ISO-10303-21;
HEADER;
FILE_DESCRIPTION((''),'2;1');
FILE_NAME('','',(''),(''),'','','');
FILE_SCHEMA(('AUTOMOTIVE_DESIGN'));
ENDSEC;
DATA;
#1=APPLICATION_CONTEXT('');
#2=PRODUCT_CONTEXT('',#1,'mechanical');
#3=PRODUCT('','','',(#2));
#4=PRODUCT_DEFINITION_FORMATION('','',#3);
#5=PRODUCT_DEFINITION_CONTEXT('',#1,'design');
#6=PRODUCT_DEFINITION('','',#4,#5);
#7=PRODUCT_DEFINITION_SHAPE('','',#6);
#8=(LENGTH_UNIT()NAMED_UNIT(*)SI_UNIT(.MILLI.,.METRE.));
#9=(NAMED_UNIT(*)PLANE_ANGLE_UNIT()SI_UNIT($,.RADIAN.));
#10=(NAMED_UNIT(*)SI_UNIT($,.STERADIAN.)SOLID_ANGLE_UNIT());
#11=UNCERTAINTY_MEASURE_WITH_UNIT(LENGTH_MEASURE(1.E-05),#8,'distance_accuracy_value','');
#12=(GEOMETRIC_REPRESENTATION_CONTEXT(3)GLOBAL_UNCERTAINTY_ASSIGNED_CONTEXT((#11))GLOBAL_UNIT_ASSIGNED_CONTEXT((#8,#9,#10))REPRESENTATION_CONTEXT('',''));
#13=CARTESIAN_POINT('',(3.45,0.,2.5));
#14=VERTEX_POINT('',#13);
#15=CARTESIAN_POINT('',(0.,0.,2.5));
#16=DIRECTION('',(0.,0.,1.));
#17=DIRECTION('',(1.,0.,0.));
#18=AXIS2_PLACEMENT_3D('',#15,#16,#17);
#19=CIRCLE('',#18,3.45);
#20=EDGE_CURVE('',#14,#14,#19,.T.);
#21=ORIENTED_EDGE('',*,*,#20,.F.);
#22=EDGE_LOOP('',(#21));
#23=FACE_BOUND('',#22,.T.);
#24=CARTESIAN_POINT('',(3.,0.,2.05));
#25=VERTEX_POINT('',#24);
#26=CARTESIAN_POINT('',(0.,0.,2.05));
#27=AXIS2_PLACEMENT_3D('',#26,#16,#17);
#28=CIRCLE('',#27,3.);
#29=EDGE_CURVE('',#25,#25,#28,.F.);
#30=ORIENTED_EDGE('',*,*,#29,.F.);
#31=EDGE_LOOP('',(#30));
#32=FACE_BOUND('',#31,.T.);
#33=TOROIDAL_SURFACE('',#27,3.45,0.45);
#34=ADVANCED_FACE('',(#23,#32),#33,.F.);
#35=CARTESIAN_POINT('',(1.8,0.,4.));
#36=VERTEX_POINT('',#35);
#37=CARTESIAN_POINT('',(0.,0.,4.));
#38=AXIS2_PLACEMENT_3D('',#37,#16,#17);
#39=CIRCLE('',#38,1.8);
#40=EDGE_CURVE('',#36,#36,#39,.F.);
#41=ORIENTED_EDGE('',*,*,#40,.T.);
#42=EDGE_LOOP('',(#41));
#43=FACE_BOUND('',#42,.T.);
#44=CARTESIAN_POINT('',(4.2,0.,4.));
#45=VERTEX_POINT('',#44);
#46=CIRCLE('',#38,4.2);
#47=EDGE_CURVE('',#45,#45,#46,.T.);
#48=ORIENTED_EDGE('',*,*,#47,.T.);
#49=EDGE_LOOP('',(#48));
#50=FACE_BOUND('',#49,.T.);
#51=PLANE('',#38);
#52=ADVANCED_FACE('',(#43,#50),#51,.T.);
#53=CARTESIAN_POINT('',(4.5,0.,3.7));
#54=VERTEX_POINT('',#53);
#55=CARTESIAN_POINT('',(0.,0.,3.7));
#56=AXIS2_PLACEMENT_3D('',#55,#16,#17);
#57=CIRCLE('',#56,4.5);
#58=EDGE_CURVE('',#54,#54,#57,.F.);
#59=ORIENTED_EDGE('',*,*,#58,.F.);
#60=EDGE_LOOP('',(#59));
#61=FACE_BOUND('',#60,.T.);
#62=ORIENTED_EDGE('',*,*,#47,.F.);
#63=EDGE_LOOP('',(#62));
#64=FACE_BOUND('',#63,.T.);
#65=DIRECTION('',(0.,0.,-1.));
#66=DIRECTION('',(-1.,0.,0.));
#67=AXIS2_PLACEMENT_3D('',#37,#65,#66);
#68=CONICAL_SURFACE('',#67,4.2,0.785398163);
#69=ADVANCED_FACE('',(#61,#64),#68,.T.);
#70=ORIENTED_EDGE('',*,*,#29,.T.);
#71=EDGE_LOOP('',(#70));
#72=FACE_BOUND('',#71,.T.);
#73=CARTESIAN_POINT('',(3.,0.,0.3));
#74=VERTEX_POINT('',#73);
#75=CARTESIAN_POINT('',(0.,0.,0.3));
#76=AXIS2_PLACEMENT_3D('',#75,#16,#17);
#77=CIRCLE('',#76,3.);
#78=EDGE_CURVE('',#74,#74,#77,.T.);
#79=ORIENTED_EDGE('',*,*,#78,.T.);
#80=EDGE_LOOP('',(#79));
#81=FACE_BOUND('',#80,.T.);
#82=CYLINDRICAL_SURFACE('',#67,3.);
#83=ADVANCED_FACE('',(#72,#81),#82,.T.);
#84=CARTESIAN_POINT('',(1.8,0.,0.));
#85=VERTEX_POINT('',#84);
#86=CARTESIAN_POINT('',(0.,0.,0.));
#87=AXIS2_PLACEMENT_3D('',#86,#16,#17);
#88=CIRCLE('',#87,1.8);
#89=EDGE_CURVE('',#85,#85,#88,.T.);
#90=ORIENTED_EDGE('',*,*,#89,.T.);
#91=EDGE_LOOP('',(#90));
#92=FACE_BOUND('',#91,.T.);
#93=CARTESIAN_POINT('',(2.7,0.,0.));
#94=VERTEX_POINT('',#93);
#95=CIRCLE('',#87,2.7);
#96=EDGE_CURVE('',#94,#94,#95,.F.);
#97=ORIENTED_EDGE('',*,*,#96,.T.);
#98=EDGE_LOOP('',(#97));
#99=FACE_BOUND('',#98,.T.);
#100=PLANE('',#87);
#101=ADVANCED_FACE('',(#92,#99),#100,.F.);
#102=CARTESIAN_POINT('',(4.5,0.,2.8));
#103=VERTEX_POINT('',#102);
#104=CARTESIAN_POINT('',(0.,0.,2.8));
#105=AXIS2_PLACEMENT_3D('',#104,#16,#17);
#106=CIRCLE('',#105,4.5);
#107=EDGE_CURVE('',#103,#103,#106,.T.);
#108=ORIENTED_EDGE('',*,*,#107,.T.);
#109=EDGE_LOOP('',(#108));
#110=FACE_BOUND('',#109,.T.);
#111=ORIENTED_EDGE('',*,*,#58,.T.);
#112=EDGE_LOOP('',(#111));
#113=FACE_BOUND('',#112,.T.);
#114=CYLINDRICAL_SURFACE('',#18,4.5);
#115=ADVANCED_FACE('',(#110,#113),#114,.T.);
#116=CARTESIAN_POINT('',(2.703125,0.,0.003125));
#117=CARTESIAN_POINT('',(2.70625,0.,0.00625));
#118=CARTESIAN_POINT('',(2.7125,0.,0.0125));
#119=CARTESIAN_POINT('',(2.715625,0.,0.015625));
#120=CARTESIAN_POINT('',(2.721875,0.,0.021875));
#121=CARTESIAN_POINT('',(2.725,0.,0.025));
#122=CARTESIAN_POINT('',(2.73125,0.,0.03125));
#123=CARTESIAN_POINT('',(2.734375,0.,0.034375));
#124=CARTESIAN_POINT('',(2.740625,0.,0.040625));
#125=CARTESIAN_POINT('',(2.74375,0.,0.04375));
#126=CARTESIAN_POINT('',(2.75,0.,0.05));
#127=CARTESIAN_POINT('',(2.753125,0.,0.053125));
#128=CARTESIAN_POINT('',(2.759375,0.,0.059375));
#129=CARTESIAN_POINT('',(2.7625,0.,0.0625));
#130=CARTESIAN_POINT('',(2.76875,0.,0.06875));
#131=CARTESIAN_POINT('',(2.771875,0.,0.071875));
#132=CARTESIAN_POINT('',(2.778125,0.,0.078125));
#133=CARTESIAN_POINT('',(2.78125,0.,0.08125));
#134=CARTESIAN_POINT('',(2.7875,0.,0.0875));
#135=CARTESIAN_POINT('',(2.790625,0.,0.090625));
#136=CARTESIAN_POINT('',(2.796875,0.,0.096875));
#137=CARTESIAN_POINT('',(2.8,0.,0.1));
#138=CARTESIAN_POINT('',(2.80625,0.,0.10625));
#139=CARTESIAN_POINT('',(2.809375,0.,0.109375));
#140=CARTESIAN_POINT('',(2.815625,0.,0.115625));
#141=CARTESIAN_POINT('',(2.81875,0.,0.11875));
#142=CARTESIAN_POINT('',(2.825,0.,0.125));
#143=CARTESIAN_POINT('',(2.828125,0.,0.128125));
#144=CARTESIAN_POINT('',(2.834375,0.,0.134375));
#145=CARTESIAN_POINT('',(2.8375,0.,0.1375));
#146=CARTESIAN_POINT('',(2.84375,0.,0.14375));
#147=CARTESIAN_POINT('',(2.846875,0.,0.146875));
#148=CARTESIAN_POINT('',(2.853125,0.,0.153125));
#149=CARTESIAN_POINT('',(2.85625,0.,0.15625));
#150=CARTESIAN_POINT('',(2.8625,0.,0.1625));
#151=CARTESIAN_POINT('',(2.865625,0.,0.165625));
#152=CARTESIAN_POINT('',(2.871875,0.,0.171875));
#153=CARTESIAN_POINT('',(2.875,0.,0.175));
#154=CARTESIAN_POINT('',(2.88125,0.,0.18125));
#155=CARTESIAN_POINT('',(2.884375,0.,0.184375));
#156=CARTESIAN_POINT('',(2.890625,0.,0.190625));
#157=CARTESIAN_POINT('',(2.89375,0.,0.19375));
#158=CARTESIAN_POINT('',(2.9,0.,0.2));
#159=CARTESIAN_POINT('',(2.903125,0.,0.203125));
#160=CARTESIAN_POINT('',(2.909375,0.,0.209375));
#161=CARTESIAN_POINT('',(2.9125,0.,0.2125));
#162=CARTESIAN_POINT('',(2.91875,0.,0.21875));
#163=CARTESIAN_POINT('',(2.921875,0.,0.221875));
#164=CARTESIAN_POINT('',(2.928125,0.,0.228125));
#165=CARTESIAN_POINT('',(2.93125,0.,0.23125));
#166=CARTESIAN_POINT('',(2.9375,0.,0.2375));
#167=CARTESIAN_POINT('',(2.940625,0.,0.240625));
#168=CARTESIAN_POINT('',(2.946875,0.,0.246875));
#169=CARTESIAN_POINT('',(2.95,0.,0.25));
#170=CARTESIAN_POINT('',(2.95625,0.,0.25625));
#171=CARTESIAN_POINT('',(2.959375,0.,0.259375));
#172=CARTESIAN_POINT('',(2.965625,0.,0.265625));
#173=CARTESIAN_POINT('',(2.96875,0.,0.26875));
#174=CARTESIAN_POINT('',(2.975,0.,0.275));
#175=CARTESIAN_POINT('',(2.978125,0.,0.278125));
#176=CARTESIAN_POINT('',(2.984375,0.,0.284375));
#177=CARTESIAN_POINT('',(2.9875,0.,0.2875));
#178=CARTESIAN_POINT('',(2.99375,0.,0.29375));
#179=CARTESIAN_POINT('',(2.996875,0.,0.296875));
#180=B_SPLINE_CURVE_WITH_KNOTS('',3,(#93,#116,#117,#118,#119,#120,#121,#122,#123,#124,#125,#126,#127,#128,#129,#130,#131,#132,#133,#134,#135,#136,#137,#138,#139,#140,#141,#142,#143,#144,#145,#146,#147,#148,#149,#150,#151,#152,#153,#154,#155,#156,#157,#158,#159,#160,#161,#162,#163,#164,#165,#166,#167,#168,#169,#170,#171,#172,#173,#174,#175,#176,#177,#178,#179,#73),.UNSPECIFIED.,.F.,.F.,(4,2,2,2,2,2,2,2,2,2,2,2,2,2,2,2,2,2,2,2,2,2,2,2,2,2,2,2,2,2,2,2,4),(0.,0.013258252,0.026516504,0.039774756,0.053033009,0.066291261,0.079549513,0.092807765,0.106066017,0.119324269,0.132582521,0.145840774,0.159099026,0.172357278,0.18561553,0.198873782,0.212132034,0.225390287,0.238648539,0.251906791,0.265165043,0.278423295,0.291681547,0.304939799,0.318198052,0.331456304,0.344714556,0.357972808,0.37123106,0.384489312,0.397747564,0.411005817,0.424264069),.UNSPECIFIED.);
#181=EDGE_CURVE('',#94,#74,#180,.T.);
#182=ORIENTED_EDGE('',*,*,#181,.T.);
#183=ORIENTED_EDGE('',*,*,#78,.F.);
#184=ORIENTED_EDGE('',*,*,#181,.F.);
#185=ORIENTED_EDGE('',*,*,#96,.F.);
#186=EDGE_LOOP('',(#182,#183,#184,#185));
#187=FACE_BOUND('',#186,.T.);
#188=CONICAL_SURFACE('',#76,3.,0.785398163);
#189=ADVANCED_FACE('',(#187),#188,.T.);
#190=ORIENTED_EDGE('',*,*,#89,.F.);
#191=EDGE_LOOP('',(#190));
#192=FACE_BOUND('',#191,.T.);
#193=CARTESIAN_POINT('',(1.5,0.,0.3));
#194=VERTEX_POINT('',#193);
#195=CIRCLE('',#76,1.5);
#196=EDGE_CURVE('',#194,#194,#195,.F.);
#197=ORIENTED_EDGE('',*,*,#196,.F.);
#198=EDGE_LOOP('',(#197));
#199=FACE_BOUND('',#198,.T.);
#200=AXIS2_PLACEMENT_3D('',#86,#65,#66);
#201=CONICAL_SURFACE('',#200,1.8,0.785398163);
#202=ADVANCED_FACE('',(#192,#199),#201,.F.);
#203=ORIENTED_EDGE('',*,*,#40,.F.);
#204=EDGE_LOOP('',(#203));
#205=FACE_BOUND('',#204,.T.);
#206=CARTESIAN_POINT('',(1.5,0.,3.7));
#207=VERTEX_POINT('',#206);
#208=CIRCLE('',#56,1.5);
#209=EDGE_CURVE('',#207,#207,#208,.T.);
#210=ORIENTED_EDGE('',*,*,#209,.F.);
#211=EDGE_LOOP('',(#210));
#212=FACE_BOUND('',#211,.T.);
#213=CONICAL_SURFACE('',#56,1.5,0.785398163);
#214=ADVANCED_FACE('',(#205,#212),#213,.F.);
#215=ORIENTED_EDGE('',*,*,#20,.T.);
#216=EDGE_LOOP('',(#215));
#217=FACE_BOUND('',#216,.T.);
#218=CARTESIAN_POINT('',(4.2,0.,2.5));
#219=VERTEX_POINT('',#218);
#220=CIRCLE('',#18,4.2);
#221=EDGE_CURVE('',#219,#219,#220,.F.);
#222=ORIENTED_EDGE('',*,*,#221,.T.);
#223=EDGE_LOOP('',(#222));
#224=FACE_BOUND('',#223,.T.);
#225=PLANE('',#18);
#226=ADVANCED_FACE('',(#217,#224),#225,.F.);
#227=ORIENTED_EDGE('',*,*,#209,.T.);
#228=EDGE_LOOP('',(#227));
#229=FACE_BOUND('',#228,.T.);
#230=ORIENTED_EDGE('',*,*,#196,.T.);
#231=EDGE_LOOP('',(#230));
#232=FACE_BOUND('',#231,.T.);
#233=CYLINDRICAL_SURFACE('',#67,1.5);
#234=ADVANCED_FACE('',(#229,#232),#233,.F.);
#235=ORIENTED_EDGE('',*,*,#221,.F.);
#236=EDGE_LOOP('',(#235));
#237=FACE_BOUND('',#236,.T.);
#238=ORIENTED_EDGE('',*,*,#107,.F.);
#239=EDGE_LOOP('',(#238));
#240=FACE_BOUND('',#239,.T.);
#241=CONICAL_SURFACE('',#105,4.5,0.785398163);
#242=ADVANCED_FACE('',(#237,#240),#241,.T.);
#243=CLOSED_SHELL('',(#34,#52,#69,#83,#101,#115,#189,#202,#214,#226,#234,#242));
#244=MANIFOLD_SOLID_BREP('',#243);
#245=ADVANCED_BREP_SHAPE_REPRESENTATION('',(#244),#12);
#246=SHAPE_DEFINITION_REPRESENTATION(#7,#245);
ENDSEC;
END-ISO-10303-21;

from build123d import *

# Parameters (mm, degrees)
SKICA1_R        = 3
SKICA1_R_2      = 1.5
VYSUNOUT1_DEPTH = 4
VYSUNOUT2_START = -1.5
SKICA2_R        = 4.5
SKICA2_R_2      = 3
VYSUNOUT2_DEPTH = 1.5
ZAOBLIT1_R      = 0.45
ZKOSIT1_SIZE    = 0.3


with BuildPart() as part:
    # Skica1 → Vysunout1 (new body)
    with BuildSketch(Plane.XY):
        Circle(SKICA1_R)
        Circle(SKICA1_R_2, mode=Mode.SUBTRACT)
    extrude(amount=VYSUNOUT1_DEPTH)

    # Skica2 → Vysunout2 (add)
    with BuildSketch(Plane.XY.offset(4).offset(VYSUNOUT2_START)):
        Circle(SKICA2_R)
        Circle(SKICA2_R_2, mode=Mode.SUBTRACT)
    extrude(amount=VYSUNOUT2_DEPTH)

    # Zaoblit1
    zaoblit1_edges = [part.edges().sort_by_distance(p)[0] for p in [
        (-3, 0, 2.5),
    ]]
    fillet(zaoblit1_edges, radius=ZAOBLIT1_R)

    # Zkosit1
    zkosit1_edges = [part.edges().sort_by_distance(p)[0] for p in [
        (-4.5, 0, 2.5),
        (-4.5, 0, 4),
        (-3, 0, 0),
        (-1.5, 0, 0),
        (-1.5, 0, 4),
    ]]
    chamfer(zkosit1_edges, length=ZKOSIT1_SIZE)


solid = part.part
